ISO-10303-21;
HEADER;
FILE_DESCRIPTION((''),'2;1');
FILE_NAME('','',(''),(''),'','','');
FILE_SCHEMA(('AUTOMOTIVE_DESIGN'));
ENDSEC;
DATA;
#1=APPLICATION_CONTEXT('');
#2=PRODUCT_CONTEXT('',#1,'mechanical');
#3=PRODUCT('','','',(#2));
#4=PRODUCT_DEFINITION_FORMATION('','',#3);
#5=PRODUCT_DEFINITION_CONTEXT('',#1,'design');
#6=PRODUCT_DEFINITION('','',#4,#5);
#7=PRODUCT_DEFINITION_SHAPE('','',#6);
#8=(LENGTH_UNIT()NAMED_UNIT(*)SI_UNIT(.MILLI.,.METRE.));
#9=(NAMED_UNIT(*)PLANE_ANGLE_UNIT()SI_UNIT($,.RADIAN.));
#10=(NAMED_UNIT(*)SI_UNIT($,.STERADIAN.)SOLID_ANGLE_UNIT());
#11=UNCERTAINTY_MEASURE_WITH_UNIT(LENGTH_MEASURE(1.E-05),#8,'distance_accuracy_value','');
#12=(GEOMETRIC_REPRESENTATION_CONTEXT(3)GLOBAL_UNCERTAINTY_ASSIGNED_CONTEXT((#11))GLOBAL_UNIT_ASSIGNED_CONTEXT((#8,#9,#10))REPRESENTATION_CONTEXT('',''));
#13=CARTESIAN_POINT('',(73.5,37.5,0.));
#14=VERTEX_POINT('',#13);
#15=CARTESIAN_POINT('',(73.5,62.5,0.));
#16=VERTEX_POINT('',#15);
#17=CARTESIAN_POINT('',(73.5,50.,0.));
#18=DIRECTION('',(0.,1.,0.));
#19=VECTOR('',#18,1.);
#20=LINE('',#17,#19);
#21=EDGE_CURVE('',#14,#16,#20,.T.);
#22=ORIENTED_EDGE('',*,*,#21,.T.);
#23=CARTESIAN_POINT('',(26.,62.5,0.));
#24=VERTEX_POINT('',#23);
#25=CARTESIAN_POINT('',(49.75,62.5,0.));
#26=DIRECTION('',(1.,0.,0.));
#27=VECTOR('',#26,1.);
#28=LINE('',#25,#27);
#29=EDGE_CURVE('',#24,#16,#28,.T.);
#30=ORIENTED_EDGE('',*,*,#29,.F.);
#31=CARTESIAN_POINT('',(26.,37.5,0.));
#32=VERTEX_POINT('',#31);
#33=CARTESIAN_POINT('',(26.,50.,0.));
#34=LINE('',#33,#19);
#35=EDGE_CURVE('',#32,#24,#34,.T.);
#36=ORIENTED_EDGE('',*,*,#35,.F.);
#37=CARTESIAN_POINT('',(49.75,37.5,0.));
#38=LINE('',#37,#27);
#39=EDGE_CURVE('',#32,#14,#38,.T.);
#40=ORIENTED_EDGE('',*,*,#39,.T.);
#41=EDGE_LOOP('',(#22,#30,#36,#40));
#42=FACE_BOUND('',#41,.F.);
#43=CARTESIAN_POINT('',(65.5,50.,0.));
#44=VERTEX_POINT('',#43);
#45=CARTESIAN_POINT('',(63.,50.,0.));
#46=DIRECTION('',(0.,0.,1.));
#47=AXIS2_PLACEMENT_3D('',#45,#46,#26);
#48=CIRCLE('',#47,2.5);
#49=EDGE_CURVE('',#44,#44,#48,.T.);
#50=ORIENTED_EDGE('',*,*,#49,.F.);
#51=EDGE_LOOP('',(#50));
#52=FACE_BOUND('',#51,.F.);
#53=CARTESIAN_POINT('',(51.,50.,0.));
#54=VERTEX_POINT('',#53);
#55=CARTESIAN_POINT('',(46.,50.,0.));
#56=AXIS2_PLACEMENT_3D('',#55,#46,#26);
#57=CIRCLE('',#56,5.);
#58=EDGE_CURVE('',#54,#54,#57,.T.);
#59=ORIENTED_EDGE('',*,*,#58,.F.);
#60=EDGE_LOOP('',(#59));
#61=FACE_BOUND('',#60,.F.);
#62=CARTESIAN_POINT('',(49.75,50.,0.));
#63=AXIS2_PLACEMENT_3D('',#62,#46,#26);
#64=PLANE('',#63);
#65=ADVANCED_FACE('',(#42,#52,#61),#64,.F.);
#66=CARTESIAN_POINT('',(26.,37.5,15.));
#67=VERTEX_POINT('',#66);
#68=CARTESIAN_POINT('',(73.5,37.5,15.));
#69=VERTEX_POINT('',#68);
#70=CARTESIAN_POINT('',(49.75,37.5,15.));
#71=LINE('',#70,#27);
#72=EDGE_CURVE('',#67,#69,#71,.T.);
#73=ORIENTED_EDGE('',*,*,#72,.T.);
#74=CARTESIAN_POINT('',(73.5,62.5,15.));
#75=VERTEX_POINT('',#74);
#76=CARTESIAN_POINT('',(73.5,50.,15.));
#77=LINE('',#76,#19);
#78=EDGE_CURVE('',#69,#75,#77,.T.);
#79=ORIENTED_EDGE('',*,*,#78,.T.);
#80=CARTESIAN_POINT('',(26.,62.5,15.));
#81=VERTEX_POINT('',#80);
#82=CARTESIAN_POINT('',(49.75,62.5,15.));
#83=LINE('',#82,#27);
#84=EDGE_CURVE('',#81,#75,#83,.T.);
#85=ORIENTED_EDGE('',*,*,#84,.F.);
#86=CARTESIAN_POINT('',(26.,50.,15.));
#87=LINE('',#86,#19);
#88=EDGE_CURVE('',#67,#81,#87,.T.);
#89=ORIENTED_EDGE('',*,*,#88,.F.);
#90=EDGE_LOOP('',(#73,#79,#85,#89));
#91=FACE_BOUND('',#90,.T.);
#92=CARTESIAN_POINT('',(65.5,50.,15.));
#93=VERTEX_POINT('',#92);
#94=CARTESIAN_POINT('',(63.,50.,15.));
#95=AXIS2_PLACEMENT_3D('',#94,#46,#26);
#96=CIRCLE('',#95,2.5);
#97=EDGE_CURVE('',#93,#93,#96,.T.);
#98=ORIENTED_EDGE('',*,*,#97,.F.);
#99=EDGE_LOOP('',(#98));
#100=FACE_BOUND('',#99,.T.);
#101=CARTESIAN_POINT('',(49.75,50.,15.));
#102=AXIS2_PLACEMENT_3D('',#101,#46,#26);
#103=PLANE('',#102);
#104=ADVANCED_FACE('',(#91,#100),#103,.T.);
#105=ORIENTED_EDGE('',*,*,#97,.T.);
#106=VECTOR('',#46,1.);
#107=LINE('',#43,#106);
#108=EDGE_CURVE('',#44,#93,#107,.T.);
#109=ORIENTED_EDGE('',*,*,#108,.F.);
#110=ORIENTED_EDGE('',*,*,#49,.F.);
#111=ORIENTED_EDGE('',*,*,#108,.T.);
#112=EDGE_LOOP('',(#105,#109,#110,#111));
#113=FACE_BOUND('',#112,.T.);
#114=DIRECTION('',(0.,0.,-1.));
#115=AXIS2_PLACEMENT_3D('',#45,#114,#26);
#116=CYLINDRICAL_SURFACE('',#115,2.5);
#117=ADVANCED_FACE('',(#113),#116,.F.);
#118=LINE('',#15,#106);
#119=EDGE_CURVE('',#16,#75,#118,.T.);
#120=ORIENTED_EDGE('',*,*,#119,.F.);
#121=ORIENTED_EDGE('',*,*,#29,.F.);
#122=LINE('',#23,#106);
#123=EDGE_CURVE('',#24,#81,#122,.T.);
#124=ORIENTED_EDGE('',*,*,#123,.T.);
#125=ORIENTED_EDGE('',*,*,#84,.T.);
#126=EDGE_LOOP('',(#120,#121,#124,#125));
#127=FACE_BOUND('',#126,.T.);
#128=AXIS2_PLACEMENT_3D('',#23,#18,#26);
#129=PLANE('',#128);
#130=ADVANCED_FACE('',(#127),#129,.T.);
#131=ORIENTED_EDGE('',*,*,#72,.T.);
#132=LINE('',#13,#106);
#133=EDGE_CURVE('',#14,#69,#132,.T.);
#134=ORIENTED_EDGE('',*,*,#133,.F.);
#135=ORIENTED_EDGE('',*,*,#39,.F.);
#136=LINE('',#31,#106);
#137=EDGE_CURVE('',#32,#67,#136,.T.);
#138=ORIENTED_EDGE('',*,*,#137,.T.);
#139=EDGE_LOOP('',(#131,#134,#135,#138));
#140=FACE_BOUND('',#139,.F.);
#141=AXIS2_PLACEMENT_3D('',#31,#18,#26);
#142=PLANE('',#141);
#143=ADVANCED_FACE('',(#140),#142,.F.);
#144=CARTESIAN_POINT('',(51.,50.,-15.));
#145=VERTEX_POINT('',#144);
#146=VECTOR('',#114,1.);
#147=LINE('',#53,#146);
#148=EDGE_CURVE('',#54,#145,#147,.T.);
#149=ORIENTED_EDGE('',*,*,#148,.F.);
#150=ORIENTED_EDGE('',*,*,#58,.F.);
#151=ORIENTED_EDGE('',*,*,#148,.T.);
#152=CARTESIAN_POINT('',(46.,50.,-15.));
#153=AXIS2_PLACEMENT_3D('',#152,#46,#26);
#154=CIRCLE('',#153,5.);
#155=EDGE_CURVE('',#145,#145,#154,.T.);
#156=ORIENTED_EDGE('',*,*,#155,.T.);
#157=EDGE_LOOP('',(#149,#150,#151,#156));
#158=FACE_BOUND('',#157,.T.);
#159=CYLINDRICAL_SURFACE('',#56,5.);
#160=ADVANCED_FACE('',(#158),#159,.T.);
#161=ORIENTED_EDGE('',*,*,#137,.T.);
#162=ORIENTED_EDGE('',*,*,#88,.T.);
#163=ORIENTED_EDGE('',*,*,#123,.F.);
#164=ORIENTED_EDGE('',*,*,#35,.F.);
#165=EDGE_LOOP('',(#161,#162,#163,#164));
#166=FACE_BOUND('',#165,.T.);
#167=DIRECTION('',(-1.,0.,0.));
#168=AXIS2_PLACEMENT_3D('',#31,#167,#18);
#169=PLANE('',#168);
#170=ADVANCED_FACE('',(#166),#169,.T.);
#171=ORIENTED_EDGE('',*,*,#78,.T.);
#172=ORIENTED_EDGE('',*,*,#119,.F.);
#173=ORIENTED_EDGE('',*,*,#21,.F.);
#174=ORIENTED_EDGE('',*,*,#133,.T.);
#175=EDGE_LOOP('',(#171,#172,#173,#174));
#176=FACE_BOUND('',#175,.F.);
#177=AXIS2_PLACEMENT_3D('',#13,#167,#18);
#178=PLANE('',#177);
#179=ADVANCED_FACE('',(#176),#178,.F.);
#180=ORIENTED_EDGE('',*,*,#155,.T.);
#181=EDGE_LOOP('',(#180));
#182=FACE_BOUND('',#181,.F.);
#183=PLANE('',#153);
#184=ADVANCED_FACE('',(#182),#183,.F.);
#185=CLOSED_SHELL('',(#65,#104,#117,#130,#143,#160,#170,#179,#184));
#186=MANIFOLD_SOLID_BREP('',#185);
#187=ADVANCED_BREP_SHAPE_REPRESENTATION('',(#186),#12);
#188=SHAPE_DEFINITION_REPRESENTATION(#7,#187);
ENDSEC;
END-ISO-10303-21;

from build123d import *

# Parameters (mm, degrees)
F0_W     = 47.5
F0_H     = 25
F0_R     = 5
F0_R_2   = 2.5
F1_DEPTH = 15
F2_DEPTH = 15


with BuildPart() as f1:
    # F0 (on Top) → F1 (new body)
    with BuildSketch(Plane.XY):
        with Locations((49.75, 50)):
            Rectangle(F0_W, F0_H)
        with Locations((46, 50)):
            Circle(F0_R, mode=Mode.SUBTRACT)
        with Locations((63, 50)):
            Circle(F0_R_2, mode=Mode.SUBTRACT)
        with Locations((46, 50)):
            Circle(F0_R)
    extrude(amount=F1_DEPTH)

    # F0 (on Top) → F2 (join)
    with BuildSketch(Plane.XY):
        with Locations((46, 50)):
            Circle(F0_R)
    extrude(amount=-F2_DEPTH)


solid = f1.part
